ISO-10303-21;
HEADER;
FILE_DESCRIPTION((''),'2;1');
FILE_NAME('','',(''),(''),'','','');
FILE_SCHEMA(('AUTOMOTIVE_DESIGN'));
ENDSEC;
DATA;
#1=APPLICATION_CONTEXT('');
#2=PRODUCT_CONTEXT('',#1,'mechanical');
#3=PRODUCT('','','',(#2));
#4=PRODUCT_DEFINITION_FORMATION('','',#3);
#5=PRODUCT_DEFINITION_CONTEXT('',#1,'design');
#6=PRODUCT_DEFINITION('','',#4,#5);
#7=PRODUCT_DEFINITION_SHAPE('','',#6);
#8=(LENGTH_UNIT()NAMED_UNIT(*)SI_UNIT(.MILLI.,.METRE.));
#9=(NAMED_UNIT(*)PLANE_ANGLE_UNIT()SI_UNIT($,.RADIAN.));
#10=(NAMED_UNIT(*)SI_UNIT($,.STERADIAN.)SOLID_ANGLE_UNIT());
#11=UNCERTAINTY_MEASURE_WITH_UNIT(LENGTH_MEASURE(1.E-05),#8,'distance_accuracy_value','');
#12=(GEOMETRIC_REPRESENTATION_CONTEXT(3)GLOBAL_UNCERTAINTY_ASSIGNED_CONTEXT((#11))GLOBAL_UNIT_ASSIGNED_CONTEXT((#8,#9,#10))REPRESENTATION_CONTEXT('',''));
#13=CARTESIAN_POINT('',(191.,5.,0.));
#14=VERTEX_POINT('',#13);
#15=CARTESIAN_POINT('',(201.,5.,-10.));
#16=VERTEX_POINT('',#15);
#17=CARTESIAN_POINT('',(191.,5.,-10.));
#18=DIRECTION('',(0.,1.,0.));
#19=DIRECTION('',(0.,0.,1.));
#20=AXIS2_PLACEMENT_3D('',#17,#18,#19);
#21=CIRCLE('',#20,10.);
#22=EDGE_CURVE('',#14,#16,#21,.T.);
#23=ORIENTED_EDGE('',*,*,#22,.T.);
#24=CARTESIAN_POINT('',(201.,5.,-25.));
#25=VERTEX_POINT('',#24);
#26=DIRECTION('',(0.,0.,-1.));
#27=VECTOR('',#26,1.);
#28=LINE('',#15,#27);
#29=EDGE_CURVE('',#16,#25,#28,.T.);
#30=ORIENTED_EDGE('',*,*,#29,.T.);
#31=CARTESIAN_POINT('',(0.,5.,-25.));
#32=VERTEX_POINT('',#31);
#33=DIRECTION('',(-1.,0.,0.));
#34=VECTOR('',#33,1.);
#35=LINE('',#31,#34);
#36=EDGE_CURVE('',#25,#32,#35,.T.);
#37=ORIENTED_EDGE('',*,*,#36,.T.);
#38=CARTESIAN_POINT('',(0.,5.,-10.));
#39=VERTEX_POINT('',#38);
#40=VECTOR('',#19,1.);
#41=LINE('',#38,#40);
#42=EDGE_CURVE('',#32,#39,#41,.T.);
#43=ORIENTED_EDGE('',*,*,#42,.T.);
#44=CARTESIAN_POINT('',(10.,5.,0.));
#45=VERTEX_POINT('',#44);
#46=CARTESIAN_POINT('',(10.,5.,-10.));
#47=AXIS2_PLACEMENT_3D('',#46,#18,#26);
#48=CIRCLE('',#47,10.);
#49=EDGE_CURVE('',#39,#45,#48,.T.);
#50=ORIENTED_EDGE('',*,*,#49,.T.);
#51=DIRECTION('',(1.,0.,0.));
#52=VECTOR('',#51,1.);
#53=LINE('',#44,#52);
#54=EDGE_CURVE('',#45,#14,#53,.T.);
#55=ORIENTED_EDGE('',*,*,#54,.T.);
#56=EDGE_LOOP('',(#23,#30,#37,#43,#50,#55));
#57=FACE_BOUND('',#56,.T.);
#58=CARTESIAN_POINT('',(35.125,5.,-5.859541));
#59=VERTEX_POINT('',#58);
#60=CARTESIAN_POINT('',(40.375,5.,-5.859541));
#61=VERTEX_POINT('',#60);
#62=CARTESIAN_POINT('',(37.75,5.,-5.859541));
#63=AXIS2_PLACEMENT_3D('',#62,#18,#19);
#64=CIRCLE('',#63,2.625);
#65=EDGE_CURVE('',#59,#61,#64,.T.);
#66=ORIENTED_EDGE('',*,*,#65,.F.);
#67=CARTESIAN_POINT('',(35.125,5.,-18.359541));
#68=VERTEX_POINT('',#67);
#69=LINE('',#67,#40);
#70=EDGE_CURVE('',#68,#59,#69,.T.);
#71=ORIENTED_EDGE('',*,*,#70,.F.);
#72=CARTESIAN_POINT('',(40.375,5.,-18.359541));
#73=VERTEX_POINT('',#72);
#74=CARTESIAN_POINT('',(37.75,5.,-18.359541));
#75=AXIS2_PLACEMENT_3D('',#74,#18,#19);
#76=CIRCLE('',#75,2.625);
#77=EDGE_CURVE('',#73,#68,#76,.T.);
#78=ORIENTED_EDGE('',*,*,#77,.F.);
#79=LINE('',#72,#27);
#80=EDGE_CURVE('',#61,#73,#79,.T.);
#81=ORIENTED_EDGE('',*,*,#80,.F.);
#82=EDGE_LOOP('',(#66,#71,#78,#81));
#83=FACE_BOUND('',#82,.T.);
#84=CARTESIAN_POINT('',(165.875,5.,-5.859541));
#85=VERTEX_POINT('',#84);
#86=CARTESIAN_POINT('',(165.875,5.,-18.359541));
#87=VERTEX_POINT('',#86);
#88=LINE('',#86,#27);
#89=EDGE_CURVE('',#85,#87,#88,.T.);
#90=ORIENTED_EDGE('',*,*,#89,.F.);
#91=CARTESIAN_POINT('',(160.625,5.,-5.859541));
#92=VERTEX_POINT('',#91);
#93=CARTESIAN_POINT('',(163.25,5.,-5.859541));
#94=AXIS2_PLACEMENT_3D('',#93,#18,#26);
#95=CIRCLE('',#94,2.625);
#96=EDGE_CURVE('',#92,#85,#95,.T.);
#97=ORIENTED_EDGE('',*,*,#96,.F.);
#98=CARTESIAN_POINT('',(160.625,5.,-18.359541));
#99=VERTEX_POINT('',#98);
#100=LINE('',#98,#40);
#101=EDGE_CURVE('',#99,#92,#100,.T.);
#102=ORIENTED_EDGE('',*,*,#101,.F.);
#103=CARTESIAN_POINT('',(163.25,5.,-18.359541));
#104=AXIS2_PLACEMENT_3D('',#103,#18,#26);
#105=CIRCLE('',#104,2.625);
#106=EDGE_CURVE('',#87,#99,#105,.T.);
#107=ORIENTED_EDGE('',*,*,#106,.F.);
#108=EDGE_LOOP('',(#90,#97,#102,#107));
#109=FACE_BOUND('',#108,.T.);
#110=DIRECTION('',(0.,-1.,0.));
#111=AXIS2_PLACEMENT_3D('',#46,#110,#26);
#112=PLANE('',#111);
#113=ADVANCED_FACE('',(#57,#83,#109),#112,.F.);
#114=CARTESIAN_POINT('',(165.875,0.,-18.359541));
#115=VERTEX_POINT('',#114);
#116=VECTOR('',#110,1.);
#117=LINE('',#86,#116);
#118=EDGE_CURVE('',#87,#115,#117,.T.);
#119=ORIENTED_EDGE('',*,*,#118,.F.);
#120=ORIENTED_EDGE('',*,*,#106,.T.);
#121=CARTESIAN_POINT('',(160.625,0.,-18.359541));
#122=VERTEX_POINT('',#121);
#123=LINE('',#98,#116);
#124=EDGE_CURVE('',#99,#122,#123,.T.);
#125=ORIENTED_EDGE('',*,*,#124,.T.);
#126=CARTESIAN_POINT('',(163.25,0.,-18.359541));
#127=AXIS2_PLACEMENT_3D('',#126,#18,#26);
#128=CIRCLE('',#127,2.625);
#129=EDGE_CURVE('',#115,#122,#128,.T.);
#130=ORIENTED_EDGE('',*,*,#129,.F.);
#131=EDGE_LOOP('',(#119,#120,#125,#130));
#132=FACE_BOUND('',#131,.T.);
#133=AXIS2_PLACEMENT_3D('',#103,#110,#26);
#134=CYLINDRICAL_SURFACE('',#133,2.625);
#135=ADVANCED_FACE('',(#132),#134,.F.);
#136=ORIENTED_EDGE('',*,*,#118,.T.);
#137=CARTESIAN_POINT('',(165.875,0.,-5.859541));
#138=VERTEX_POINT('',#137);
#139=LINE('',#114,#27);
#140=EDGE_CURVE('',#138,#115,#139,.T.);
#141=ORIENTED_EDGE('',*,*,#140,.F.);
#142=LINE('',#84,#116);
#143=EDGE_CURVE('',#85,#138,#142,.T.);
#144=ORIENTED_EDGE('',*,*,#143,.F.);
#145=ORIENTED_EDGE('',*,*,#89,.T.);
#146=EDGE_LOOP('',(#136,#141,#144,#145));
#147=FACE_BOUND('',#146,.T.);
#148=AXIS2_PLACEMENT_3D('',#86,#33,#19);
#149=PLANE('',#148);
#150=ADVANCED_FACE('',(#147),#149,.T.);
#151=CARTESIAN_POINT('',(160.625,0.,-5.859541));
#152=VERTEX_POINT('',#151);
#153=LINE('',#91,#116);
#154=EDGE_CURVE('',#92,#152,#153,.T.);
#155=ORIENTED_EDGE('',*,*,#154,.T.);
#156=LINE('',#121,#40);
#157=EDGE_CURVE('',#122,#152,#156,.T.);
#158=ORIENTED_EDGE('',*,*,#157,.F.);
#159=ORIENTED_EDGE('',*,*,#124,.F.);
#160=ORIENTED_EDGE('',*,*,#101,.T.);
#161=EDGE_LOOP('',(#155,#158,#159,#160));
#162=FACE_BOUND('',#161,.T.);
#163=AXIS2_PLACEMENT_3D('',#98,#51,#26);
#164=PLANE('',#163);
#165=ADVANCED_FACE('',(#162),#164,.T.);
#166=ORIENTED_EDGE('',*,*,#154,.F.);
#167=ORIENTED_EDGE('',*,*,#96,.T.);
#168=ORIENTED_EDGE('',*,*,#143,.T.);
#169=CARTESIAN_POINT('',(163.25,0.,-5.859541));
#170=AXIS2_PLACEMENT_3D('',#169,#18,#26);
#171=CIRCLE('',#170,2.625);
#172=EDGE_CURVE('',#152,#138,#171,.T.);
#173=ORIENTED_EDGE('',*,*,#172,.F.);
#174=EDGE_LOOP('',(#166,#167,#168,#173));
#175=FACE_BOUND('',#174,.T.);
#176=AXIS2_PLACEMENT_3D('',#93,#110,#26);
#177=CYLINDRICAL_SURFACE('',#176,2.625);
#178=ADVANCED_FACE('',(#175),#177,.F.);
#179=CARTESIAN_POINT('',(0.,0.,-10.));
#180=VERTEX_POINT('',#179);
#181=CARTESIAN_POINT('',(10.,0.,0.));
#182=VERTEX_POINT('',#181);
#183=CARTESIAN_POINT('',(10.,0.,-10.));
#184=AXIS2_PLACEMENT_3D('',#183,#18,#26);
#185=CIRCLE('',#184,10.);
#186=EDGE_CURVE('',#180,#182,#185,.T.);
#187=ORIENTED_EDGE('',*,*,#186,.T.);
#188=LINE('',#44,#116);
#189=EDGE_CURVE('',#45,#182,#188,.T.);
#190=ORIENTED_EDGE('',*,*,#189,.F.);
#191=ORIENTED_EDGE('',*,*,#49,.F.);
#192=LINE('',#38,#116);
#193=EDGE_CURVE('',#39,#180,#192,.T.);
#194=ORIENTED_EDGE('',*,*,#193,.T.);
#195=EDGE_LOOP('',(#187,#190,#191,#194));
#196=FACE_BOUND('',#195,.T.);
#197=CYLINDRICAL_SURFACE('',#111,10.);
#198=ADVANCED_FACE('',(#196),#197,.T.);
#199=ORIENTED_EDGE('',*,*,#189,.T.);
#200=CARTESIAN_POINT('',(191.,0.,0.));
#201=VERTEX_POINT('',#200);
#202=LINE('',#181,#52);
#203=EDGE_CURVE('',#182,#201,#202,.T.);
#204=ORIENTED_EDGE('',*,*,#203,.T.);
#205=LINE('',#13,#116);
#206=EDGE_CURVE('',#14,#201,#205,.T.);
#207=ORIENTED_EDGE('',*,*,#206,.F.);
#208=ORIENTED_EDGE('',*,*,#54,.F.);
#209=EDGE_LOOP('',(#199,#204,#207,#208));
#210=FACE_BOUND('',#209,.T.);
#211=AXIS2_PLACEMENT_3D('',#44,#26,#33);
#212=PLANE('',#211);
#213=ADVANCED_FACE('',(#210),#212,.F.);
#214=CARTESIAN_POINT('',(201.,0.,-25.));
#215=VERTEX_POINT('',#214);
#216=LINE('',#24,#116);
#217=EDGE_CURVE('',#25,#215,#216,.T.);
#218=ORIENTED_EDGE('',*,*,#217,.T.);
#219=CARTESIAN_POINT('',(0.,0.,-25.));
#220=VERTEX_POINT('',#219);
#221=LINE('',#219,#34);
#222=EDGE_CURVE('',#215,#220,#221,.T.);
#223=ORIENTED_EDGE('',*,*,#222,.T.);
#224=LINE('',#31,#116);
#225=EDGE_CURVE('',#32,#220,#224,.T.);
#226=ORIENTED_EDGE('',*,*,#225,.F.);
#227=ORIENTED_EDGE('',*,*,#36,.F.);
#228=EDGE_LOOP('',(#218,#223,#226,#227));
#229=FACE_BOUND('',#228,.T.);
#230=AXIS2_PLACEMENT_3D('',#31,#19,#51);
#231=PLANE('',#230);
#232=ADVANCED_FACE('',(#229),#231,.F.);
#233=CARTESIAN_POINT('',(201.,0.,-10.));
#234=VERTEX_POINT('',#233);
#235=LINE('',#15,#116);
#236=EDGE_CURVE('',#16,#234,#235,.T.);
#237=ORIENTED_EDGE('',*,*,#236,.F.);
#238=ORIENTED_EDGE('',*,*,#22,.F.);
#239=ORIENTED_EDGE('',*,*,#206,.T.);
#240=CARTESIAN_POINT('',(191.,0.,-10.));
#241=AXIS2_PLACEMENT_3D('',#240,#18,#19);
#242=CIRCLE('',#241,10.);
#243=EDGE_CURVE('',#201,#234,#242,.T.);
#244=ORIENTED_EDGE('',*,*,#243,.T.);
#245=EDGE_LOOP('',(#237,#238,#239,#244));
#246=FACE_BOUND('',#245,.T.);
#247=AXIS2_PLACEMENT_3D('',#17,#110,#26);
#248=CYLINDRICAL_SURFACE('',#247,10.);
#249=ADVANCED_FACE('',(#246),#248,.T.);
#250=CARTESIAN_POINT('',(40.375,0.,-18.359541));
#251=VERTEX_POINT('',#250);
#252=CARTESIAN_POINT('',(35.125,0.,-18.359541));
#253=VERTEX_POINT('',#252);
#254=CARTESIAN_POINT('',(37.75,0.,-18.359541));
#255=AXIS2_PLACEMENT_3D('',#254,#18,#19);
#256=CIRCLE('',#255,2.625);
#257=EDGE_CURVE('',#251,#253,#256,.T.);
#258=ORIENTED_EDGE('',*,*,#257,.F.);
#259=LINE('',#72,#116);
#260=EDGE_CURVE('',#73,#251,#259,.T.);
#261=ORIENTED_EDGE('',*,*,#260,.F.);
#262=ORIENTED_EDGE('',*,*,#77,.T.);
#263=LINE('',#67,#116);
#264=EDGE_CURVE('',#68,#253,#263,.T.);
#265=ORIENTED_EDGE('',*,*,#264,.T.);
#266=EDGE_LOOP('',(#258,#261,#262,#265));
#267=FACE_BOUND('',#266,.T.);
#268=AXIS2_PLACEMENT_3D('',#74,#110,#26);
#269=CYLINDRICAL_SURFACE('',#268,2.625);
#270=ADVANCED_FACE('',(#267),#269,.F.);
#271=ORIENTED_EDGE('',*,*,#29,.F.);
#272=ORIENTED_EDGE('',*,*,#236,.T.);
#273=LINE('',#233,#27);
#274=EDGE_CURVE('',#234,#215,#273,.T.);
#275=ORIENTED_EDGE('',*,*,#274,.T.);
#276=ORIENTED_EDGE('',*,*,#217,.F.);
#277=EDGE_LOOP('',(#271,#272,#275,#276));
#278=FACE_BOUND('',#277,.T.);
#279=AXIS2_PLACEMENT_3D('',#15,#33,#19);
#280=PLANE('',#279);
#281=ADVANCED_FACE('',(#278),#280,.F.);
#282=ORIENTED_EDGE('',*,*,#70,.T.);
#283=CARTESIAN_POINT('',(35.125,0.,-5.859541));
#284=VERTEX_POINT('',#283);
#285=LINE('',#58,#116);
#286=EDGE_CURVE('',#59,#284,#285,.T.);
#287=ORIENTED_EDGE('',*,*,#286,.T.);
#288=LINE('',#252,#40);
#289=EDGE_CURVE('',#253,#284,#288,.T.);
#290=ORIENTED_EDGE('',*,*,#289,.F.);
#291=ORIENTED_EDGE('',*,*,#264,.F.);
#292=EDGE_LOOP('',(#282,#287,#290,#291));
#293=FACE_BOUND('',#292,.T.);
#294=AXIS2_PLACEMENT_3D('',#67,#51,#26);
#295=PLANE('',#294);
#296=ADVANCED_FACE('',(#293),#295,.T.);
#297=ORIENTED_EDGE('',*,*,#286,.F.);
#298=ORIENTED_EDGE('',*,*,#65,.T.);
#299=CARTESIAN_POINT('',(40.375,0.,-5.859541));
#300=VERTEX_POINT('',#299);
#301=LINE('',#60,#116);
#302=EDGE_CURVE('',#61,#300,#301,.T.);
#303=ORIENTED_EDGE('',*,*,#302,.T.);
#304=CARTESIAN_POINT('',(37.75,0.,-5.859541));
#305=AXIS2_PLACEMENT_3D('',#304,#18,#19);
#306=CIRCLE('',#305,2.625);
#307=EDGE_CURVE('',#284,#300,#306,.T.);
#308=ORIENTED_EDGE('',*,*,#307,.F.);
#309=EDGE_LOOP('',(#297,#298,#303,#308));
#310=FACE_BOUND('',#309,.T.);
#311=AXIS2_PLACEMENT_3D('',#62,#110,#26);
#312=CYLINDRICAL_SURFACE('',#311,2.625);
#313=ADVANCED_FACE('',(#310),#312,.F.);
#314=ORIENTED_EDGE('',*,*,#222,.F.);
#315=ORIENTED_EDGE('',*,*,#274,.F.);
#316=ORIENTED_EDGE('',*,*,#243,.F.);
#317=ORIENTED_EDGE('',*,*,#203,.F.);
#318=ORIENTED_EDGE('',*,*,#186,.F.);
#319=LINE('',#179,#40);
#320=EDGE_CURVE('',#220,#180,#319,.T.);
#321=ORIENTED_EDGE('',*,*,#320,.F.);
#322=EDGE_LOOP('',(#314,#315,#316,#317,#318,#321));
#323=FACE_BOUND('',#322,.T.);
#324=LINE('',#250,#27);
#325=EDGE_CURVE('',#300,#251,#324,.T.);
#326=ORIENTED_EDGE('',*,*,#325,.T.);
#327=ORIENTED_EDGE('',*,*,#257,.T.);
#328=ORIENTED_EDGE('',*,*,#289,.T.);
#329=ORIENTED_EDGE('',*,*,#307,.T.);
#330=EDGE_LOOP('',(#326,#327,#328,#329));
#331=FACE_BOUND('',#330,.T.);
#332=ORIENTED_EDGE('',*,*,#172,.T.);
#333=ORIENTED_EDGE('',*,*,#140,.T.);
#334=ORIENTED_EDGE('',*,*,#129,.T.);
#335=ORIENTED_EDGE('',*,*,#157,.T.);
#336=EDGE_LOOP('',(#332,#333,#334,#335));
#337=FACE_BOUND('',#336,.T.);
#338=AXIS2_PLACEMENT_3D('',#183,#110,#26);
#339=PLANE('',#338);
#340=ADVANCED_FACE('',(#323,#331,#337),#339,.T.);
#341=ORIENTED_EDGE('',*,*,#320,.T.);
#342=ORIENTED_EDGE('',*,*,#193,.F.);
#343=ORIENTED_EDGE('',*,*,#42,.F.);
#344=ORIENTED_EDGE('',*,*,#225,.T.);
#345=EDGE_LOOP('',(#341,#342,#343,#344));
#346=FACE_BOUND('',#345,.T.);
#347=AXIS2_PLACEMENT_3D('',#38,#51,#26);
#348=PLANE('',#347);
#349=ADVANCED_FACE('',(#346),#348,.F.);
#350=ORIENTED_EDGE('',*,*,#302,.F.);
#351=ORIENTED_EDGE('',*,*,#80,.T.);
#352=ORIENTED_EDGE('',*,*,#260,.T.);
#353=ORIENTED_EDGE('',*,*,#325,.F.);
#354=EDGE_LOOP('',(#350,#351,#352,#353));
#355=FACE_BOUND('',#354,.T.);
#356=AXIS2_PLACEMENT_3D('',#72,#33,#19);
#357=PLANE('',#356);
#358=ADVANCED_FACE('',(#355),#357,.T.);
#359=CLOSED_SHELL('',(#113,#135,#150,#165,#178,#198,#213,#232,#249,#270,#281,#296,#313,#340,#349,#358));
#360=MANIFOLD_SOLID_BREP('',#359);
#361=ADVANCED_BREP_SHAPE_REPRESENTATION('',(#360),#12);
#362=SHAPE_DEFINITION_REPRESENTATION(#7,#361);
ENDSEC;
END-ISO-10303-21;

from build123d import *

# Parameters (mm, degrees)
SALIENTE_EXTRUIR1_DEPTH = 5


with BuildPart() as part:
    # Croquis1 → Saliente-Extruir1 (new body)
    with BuildSketch(Plane(origin=(0, 0, 0), x_dir=(1, 0, 0), z_dir=(0, 1, 0))):
        with BuildLine():
            Line((10, 0), (191, 0))
            ThreePointArc((191, 0), (198.071067812, 2.928932188), (201, 10))
            Line((201, 10), (201, 25))
            Line((201, 25), (0, 25))
            Line((0, 25), (0, 10))
            ThreePointArc((0, 10), (2.928932188, 2.928932188), (10, 0))
        make_face()
        with BuildLine():
            Line((40.375, 18.359540636), (40.375, 5.859540636))
            ThreePointArc((40.375, 5.859540636), (37.75, 3.234540636), (35.125, 5.859540636))
            Line((35.125, 5.859540636), (35.125, 18.359540636))
            ThreePointArc((35.125, 18.359540636), (37.75, 20.984540636), (40.375, 18.359540636))
        make_face(mode=Mode.SUBTRACT)
        with BuildLine():
            Line((160.625, 18.359540636), (160.625, 5.859540636))
            ThreePointArc((160.625, 5.859540636), (163.25, 3.234540636), (165.875, 5.859540636))
            Line((165.875, 5.859540636), (165.875, 18.359540636))
            ThreePointArc((165.875, 18.359540636), (163.25, 20.984540636), (160.625, 18.359540636))
        make_face(mode=Mode.SUBTRACT)
    extrude(amount=SALIENTE_EXTRUIR1_DEPTH)


solid = part.part
